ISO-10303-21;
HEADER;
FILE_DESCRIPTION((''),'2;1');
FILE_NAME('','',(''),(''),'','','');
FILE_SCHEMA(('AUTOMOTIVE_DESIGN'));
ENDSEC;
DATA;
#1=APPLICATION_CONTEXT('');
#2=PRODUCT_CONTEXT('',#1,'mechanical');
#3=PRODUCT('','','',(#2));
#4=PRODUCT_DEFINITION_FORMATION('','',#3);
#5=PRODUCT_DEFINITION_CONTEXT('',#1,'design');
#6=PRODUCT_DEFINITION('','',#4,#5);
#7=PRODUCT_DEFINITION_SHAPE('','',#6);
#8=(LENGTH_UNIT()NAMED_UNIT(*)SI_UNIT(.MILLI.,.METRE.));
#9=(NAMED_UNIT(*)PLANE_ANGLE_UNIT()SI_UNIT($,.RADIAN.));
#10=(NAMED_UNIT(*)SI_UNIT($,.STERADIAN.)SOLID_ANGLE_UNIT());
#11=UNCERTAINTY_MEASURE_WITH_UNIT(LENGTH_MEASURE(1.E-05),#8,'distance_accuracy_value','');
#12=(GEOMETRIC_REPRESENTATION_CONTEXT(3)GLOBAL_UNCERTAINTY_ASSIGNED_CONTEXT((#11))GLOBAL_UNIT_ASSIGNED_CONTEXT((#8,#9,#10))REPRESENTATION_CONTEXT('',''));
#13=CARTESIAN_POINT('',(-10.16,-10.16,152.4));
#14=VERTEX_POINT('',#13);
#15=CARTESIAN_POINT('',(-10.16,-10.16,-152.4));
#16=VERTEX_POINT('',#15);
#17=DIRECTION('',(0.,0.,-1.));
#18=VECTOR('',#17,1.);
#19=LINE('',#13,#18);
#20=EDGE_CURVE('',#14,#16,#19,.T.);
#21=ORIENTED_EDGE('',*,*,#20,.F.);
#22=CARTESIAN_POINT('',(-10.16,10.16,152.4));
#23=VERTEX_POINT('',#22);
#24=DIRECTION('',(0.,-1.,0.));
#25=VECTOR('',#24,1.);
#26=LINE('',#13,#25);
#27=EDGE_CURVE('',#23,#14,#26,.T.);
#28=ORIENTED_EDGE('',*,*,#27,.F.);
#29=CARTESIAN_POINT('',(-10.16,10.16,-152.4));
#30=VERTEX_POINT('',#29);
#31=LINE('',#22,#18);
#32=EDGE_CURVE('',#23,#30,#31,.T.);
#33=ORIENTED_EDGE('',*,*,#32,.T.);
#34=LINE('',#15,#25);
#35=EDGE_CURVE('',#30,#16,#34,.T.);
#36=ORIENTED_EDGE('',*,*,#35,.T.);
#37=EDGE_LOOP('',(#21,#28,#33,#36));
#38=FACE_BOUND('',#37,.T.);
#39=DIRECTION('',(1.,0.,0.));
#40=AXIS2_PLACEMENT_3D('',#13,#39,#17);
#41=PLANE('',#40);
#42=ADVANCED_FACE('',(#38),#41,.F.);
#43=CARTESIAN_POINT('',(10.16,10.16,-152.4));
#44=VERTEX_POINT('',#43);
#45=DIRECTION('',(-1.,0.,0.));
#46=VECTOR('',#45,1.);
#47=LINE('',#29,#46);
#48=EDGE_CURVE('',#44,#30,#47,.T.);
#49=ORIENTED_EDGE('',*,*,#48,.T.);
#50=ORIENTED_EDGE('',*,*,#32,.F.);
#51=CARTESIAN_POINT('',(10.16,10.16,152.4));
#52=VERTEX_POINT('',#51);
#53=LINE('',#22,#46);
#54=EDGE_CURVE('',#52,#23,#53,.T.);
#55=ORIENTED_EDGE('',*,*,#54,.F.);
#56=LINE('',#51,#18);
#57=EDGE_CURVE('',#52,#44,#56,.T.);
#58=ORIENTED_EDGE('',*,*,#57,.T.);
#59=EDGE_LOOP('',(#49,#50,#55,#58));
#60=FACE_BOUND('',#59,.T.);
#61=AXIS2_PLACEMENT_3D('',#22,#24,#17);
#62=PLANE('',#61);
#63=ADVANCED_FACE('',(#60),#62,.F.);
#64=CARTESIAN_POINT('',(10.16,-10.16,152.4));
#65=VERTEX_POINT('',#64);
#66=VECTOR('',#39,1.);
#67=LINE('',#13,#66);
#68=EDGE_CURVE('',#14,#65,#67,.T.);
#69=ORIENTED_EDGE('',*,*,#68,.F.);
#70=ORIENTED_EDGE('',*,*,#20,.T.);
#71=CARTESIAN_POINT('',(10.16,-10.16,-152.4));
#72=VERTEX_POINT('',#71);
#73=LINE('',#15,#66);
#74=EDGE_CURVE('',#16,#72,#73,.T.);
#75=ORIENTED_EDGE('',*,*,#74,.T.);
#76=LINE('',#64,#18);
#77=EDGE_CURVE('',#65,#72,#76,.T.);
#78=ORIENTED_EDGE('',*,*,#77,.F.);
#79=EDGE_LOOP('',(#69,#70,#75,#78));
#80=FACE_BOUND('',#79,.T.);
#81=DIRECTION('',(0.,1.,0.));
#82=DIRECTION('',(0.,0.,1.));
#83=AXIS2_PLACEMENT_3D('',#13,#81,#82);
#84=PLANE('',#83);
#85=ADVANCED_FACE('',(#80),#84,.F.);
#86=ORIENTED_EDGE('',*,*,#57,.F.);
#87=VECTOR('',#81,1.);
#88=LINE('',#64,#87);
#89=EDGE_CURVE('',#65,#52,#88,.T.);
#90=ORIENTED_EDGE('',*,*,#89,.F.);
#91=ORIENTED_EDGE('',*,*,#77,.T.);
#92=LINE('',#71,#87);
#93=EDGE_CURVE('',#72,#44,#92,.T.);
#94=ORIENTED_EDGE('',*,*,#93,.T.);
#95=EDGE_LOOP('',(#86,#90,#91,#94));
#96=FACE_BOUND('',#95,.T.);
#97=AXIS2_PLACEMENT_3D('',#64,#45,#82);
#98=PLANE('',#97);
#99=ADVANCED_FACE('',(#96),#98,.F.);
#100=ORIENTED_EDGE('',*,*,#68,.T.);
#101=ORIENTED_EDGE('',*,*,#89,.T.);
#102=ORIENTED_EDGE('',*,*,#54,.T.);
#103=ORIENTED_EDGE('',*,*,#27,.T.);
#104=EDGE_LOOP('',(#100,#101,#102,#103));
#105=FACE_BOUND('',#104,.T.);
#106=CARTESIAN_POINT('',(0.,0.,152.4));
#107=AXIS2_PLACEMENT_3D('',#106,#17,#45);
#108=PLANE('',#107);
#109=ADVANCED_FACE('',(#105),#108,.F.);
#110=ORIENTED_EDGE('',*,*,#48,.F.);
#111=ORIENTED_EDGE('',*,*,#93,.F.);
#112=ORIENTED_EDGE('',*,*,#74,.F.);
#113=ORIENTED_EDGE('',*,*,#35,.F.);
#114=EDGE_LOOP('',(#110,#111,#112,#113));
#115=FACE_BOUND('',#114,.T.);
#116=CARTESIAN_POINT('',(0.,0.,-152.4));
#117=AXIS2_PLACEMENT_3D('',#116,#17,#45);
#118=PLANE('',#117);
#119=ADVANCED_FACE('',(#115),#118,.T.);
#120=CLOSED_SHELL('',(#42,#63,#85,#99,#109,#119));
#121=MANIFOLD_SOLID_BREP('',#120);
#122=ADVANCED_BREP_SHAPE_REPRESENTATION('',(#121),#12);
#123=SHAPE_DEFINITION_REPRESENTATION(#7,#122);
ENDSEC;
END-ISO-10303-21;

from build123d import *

# Parameters (mm, degrees)
SKETCH7_W           = 20.32
SKETCH7_H           = 20.32
BOSS_EXTRUDE3_DEPTH = 152.4


with BuildPart() as part:
    # Sketch7 → Boss-Extrude3 (new body, symmetric)
    with BuildSketch(Plane.XY):
        Rectangle(SKETCH7_W, SKETCH7_H)
    extrude(amount=BOSS_EXTRUDE3_DEPTH, both=True)


solid = part.part
